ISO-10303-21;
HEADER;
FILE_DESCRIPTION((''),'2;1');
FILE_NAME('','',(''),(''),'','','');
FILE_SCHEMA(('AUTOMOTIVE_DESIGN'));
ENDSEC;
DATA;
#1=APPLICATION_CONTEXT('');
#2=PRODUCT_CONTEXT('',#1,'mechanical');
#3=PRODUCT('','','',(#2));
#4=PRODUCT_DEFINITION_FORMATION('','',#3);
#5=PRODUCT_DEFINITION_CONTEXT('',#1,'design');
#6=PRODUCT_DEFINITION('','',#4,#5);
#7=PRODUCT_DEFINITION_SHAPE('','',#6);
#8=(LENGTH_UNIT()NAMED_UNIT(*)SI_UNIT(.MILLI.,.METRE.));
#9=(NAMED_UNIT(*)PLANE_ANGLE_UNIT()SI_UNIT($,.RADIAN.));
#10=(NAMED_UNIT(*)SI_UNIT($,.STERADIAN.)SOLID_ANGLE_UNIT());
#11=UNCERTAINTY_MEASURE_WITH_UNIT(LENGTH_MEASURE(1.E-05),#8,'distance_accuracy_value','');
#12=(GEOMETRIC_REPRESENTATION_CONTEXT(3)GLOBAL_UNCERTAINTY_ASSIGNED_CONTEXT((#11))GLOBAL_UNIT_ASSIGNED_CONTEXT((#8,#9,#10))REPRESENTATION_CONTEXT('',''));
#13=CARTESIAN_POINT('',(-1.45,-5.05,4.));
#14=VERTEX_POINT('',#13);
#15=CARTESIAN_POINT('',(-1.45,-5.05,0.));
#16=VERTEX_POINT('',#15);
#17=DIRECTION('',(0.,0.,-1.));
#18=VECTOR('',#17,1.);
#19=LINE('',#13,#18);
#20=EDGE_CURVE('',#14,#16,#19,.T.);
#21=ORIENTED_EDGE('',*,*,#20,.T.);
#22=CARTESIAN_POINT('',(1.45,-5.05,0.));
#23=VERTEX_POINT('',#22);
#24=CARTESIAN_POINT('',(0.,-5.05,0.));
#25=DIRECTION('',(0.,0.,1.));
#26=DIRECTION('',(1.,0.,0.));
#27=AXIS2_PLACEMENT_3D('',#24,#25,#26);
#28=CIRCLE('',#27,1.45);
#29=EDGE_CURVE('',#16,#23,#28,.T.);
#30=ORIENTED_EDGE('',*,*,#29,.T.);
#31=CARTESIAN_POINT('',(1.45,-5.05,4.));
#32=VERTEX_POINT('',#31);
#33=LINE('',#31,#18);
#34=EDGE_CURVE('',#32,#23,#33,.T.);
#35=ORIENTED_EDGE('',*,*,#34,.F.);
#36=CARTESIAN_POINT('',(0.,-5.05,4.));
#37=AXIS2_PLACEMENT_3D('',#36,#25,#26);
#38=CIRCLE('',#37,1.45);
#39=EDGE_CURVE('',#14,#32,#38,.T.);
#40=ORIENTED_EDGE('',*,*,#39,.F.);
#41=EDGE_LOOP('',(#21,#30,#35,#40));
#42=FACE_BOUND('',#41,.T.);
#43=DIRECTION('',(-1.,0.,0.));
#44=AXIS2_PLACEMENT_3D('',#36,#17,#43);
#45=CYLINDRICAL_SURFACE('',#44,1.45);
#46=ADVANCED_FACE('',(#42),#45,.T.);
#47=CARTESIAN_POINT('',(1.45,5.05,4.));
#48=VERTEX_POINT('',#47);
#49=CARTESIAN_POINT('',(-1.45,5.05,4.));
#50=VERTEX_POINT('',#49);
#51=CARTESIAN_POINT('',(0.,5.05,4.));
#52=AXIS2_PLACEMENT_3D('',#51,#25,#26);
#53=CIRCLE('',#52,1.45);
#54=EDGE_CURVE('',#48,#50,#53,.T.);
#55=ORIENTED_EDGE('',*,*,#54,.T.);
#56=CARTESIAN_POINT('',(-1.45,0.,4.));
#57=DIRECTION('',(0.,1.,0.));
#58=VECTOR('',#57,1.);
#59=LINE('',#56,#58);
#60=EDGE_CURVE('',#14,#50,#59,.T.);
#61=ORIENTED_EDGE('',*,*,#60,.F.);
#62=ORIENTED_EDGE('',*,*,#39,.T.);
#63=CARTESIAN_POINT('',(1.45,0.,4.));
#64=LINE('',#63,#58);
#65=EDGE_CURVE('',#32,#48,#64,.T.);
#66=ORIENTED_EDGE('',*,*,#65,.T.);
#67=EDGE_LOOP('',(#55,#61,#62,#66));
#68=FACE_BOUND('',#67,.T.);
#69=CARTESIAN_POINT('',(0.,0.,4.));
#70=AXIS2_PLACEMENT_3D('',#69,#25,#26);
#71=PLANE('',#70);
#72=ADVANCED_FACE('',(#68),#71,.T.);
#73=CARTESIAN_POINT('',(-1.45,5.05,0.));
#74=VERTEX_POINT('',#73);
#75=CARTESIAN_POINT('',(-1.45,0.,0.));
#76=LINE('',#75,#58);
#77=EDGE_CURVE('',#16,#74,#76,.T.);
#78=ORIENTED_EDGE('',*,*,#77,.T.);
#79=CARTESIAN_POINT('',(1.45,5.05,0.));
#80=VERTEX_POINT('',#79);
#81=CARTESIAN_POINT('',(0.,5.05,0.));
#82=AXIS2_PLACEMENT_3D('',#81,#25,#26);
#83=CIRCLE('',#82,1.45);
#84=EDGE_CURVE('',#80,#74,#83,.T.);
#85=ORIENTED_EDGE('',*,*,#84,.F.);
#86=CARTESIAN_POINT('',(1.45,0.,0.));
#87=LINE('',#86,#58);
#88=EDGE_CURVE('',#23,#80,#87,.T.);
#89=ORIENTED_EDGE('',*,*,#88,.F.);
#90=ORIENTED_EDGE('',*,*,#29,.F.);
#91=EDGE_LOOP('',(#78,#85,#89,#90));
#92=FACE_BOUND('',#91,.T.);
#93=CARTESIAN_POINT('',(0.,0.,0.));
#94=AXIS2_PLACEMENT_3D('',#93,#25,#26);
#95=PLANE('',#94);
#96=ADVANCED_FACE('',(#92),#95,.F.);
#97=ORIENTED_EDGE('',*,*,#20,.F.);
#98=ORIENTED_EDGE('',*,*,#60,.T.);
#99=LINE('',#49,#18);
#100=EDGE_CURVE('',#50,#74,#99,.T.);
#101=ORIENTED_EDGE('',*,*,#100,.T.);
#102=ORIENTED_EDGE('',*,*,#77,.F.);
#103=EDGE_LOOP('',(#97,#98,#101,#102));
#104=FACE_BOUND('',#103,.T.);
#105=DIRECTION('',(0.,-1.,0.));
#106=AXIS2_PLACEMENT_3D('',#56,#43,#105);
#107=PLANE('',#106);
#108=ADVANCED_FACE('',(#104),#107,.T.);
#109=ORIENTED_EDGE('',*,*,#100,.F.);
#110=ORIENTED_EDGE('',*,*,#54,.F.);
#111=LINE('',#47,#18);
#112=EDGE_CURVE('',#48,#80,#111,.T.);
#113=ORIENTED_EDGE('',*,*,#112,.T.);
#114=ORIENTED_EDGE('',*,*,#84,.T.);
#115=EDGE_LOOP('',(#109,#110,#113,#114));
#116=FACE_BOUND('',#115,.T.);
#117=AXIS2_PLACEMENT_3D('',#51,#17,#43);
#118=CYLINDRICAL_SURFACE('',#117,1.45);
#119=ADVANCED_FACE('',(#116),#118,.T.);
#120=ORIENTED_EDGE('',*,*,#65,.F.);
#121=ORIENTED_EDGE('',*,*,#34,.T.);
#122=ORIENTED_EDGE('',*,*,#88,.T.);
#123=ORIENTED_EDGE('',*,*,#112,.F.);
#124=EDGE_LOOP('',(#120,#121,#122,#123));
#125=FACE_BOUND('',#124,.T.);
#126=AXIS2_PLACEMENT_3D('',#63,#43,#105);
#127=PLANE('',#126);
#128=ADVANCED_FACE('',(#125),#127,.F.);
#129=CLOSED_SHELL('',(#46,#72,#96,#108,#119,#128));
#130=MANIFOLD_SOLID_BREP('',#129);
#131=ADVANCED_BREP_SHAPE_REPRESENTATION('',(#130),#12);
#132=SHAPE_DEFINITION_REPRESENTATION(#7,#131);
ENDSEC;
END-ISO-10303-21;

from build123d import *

# Parameters (mm, degrees)
BOSS_EXTRUDE1_DEPTH = 4


with BuildPart() as part:
    # Sketch1 → Boss-Extrude1 (new body)
    with BuildSketch(Plane.XY):
        with BuildLine():
            Line((0, 6.5), (0, -6.5))
            ThreePointArc((0, -6.5), (1.025304833, -6.075304833), (1.45, -5.05))
            Line((1.45, -5.05), (1.45, 5.05))
            ThreePointArc((1.45, 5.05), (1.025304833, 6.075304833), (0, 6.5))
        make_face()
        with BuildLine():
            Line((-1.45, 5.05), (-1.45, -5.05))
            ThreePointArc((-1.45, -5.05), (-1.025304833, -6.075304833), (0, -6.5))
            Line((0, -6.5), (0, 6.5))
            ThreePointArc((0, 6.5), (-1.025304833, 6.075304833), (-1.45, 5.05))
        make_face()
    extrude(amount=BOSS_EXTRUDE1_DEPTH)


solid = part.part
